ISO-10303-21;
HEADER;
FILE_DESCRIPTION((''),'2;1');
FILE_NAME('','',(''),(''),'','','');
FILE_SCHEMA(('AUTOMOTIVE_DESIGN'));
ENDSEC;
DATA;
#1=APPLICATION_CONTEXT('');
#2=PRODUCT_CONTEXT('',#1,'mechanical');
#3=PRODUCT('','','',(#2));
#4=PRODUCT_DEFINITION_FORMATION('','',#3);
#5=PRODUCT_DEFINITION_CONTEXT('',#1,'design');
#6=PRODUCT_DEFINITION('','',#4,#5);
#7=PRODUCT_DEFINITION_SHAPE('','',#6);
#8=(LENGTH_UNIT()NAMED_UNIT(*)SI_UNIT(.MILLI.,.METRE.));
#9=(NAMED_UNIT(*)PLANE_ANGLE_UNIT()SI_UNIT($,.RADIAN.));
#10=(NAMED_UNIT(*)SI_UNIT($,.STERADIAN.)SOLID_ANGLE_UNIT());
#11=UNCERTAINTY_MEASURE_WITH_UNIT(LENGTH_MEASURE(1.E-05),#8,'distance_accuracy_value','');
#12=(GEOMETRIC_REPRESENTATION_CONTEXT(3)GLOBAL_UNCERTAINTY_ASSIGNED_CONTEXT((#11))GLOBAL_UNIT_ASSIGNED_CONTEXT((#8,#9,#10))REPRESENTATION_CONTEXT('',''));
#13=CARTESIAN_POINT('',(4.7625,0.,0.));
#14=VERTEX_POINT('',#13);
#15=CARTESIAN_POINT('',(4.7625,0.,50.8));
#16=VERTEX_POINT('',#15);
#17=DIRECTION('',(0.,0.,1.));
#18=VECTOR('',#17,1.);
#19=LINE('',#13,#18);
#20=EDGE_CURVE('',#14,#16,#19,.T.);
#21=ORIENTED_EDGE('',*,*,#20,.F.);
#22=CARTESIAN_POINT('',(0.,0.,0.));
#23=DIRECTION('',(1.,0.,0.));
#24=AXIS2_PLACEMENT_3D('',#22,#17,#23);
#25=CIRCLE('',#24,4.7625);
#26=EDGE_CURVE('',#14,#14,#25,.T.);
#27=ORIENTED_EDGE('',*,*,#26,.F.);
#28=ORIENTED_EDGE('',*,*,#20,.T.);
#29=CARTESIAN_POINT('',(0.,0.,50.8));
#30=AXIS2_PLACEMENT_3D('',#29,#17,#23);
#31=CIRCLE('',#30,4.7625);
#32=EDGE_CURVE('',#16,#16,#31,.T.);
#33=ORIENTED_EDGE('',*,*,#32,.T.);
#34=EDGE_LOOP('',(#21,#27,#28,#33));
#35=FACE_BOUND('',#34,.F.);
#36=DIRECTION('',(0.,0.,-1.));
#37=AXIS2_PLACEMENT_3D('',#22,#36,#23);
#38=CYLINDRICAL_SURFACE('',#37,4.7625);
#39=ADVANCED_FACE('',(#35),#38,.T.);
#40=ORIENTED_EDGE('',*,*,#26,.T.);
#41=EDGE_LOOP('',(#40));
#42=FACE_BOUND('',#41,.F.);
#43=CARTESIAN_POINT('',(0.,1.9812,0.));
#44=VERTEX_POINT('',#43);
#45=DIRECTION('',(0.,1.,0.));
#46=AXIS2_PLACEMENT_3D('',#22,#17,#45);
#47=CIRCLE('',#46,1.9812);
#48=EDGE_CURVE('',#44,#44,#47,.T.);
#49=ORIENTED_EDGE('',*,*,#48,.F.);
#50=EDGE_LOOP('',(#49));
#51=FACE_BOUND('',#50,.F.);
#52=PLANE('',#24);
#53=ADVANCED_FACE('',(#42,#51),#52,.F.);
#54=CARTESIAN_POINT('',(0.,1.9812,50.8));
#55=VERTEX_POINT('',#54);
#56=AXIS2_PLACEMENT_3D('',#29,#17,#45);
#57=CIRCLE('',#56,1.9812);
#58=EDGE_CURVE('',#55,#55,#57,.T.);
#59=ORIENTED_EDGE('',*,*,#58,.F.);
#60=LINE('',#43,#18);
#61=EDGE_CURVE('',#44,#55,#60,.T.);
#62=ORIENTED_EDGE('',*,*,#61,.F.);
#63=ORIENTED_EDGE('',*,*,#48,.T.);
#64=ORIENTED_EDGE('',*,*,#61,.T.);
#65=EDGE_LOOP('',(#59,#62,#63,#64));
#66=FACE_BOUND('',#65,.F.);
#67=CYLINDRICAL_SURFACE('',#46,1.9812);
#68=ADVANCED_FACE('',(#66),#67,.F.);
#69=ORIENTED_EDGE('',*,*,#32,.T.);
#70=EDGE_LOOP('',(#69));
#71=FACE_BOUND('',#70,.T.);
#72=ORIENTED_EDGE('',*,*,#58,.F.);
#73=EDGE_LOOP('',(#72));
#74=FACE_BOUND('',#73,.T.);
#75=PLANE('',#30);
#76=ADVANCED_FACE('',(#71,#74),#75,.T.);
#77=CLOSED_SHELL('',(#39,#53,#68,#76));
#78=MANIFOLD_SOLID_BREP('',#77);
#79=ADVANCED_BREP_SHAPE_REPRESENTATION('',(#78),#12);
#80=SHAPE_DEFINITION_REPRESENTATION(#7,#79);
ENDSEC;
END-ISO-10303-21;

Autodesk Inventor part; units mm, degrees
ref_plane "YZ Plane" through (0, 0, 0) normal (1, 0, 0) x (0, 1, 0)
ref_plane "XZ Plane" through (0, 0, 0) normal (0, 1, 0) x (-1, 0, 0)
ref_plane "XY Plane" through (0, 0, 0) normal (0, 0, 1) x (1, 0, 0)
sketch "Sketch1" plane through (0, 0, 0) normal (0, 0, 1) x (1, 0, 0)
  circle A0 centre (0, 0) radius 4.7625
  dimension "d10" = 9.525
extrude "Extrusion1" add sketch "Sketch1" along normal blind 50.8
hole "Hole1" at (0, 0, 0) direction (0, 0, 1) diameter 3.9624 end through all thread size "10-32 UNF" class "2B" standard "ANSI Unified Screw Threads"
equation "\"d10\" = OutsideDiameter"
equation "\"d1\" = StandoffLength"
equation "\"StandoffLength\" = 50.8"
equation "\"HoleDiameter\" = 5.1054"
equation "\"OutsideDiameter\" = 9.525"
properties part number "GP6-007" material "Aluminum 6061"
